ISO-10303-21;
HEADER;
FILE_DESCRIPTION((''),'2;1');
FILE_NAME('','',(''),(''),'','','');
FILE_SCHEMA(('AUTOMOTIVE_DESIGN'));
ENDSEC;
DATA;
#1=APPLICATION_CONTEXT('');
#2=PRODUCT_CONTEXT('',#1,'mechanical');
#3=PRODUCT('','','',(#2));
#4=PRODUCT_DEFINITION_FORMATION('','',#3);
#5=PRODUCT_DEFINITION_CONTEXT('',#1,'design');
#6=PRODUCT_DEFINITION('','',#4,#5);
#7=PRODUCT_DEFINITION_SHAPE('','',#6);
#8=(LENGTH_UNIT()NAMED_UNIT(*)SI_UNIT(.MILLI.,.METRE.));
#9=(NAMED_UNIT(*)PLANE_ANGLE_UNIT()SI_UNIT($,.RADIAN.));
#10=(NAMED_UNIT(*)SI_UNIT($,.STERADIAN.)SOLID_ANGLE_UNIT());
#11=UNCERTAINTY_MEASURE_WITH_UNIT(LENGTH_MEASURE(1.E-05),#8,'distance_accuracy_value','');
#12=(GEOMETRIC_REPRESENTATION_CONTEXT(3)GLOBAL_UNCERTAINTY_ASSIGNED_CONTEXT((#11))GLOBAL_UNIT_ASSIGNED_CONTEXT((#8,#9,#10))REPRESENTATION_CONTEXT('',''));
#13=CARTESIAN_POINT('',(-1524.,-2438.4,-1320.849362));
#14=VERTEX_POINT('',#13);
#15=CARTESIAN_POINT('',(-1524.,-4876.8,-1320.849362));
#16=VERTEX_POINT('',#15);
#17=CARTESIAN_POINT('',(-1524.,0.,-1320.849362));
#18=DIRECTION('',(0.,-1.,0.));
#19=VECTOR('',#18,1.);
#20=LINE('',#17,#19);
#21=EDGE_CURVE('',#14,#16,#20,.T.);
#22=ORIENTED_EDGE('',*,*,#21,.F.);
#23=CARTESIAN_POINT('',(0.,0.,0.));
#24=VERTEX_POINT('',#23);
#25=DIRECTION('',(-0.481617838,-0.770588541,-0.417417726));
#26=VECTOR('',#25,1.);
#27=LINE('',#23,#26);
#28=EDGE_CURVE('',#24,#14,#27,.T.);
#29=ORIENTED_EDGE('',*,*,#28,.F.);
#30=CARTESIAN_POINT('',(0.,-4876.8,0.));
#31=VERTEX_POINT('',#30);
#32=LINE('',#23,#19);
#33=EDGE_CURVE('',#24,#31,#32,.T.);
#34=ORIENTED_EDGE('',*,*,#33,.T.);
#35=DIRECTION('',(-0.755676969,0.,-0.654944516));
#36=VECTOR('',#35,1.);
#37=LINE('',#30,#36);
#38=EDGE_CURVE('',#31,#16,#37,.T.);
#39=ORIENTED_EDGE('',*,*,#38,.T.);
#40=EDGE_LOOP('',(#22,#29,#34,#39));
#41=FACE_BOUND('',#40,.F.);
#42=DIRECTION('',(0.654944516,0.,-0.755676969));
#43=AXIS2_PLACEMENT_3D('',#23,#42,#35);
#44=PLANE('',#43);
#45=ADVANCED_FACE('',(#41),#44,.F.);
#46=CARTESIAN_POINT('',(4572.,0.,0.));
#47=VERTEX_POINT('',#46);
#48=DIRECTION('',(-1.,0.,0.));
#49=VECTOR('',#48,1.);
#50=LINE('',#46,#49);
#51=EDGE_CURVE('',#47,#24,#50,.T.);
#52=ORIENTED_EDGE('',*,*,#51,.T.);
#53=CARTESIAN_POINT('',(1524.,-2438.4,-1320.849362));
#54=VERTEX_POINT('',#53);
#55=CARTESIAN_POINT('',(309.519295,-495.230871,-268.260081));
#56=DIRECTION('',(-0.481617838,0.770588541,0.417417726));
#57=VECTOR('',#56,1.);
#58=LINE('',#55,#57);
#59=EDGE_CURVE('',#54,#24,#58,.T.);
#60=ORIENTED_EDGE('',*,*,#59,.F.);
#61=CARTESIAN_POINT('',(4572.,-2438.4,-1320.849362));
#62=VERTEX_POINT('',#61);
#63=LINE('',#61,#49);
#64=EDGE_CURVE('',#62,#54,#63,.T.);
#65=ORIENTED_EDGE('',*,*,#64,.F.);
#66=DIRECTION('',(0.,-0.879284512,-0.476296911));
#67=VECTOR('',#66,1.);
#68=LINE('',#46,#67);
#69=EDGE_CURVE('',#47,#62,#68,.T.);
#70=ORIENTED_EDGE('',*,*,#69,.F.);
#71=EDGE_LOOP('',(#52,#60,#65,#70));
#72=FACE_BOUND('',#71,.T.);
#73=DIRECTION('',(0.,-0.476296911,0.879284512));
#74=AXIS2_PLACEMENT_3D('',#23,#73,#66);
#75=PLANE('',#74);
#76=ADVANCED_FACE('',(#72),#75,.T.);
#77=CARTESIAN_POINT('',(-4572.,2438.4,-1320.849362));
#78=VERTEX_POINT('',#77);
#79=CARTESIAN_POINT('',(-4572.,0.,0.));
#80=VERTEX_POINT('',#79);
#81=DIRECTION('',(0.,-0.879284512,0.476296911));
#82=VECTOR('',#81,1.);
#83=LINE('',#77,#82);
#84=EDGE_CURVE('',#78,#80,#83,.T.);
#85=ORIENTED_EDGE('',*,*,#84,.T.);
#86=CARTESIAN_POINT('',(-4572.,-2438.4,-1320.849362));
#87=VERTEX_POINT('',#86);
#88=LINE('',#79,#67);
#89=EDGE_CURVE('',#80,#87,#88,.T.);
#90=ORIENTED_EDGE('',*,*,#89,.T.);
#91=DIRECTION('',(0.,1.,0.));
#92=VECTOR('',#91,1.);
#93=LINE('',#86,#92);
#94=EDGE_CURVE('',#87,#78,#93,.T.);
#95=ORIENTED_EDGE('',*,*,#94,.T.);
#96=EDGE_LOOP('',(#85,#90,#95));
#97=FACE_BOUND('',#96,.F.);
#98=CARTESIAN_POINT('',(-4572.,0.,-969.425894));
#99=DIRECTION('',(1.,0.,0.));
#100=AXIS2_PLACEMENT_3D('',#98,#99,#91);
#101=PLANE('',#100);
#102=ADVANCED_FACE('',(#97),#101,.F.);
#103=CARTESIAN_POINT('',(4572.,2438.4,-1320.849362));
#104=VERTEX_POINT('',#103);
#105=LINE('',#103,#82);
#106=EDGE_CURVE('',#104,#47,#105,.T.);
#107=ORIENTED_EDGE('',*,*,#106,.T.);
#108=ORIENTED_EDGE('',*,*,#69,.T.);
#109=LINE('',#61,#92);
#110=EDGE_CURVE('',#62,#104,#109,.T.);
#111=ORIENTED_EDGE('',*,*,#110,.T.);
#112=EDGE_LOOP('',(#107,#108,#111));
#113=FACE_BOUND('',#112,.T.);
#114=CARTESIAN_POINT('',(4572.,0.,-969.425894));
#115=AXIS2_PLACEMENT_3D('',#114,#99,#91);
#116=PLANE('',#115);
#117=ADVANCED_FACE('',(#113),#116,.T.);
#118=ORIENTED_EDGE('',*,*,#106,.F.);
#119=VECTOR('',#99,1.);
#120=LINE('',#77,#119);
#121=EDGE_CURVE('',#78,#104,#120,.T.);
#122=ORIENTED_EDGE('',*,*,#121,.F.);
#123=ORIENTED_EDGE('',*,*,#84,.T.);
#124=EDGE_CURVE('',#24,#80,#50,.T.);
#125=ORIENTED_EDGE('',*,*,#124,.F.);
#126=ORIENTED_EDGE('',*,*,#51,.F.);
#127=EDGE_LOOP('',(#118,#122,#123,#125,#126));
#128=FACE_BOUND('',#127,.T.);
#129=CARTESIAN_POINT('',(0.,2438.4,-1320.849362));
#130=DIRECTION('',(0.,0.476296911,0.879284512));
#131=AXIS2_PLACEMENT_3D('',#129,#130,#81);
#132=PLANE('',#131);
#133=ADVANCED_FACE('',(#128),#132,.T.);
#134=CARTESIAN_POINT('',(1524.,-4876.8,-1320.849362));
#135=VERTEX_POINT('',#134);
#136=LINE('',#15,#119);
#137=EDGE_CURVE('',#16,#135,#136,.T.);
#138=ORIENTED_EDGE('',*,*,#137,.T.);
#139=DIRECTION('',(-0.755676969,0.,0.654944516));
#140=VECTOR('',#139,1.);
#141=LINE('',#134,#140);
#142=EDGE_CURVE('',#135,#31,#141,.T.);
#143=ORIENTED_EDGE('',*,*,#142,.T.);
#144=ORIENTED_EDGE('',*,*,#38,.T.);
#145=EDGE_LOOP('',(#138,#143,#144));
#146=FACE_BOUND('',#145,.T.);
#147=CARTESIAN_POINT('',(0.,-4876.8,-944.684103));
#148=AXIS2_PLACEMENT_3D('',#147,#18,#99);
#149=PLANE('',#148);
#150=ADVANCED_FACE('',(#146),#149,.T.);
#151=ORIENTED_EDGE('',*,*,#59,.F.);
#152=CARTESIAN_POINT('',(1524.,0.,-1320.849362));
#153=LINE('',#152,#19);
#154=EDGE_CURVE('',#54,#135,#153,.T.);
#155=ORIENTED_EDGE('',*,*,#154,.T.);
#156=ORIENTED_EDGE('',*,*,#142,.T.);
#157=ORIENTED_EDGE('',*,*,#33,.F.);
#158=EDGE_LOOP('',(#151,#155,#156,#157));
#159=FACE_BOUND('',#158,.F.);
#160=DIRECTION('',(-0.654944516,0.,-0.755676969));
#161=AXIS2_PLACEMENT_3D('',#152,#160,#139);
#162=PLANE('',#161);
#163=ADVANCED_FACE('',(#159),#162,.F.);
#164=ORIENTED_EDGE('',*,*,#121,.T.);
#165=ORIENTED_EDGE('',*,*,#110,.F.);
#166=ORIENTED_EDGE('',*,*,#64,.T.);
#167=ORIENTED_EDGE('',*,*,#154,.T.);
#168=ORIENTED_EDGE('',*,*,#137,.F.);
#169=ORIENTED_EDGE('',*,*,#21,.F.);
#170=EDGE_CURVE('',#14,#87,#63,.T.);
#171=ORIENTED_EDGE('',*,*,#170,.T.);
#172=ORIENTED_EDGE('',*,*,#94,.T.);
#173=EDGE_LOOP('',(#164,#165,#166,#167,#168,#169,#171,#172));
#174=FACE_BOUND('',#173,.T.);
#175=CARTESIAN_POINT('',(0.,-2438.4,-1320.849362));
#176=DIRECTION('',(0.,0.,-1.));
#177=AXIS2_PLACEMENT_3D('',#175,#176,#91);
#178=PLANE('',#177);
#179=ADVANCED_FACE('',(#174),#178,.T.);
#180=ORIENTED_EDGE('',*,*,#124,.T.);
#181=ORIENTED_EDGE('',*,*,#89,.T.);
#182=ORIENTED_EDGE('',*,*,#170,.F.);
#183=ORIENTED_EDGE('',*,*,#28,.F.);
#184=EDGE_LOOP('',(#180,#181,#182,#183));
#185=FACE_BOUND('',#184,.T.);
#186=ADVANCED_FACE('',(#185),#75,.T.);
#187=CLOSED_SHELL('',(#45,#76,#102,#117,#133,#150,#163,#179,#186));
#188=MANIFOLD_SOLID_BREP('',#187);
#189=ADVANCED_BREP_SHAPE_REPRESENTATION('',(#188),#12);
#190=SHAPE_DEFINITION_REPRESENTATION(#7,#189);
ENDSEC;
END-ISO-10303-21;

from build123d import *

# Parameters (mm, degrees)
F2_DEPTH = 4876.8
F3_DEPTH = 4572


with BuildPart() as f2:
    # F1 (on Front) → F2 (new body)
    with BuildSketch(Plane.XZ):
        Polygon((-1524, -1320.849362), (1524, -1320.849362), (0, 0), align=None)
    extrude(amount=F2_DEPTH)

    # F0 (on Right) → F3 (join, symmetric)
    with BuildSketch(Plane.YZ):
        Polygon((-2438.4, -1320.849362), (2438.4, -1320.849362), (0, 0), align=None)
    extrude(amount=F3_DEPTH, both=True)


solid = f2.part
